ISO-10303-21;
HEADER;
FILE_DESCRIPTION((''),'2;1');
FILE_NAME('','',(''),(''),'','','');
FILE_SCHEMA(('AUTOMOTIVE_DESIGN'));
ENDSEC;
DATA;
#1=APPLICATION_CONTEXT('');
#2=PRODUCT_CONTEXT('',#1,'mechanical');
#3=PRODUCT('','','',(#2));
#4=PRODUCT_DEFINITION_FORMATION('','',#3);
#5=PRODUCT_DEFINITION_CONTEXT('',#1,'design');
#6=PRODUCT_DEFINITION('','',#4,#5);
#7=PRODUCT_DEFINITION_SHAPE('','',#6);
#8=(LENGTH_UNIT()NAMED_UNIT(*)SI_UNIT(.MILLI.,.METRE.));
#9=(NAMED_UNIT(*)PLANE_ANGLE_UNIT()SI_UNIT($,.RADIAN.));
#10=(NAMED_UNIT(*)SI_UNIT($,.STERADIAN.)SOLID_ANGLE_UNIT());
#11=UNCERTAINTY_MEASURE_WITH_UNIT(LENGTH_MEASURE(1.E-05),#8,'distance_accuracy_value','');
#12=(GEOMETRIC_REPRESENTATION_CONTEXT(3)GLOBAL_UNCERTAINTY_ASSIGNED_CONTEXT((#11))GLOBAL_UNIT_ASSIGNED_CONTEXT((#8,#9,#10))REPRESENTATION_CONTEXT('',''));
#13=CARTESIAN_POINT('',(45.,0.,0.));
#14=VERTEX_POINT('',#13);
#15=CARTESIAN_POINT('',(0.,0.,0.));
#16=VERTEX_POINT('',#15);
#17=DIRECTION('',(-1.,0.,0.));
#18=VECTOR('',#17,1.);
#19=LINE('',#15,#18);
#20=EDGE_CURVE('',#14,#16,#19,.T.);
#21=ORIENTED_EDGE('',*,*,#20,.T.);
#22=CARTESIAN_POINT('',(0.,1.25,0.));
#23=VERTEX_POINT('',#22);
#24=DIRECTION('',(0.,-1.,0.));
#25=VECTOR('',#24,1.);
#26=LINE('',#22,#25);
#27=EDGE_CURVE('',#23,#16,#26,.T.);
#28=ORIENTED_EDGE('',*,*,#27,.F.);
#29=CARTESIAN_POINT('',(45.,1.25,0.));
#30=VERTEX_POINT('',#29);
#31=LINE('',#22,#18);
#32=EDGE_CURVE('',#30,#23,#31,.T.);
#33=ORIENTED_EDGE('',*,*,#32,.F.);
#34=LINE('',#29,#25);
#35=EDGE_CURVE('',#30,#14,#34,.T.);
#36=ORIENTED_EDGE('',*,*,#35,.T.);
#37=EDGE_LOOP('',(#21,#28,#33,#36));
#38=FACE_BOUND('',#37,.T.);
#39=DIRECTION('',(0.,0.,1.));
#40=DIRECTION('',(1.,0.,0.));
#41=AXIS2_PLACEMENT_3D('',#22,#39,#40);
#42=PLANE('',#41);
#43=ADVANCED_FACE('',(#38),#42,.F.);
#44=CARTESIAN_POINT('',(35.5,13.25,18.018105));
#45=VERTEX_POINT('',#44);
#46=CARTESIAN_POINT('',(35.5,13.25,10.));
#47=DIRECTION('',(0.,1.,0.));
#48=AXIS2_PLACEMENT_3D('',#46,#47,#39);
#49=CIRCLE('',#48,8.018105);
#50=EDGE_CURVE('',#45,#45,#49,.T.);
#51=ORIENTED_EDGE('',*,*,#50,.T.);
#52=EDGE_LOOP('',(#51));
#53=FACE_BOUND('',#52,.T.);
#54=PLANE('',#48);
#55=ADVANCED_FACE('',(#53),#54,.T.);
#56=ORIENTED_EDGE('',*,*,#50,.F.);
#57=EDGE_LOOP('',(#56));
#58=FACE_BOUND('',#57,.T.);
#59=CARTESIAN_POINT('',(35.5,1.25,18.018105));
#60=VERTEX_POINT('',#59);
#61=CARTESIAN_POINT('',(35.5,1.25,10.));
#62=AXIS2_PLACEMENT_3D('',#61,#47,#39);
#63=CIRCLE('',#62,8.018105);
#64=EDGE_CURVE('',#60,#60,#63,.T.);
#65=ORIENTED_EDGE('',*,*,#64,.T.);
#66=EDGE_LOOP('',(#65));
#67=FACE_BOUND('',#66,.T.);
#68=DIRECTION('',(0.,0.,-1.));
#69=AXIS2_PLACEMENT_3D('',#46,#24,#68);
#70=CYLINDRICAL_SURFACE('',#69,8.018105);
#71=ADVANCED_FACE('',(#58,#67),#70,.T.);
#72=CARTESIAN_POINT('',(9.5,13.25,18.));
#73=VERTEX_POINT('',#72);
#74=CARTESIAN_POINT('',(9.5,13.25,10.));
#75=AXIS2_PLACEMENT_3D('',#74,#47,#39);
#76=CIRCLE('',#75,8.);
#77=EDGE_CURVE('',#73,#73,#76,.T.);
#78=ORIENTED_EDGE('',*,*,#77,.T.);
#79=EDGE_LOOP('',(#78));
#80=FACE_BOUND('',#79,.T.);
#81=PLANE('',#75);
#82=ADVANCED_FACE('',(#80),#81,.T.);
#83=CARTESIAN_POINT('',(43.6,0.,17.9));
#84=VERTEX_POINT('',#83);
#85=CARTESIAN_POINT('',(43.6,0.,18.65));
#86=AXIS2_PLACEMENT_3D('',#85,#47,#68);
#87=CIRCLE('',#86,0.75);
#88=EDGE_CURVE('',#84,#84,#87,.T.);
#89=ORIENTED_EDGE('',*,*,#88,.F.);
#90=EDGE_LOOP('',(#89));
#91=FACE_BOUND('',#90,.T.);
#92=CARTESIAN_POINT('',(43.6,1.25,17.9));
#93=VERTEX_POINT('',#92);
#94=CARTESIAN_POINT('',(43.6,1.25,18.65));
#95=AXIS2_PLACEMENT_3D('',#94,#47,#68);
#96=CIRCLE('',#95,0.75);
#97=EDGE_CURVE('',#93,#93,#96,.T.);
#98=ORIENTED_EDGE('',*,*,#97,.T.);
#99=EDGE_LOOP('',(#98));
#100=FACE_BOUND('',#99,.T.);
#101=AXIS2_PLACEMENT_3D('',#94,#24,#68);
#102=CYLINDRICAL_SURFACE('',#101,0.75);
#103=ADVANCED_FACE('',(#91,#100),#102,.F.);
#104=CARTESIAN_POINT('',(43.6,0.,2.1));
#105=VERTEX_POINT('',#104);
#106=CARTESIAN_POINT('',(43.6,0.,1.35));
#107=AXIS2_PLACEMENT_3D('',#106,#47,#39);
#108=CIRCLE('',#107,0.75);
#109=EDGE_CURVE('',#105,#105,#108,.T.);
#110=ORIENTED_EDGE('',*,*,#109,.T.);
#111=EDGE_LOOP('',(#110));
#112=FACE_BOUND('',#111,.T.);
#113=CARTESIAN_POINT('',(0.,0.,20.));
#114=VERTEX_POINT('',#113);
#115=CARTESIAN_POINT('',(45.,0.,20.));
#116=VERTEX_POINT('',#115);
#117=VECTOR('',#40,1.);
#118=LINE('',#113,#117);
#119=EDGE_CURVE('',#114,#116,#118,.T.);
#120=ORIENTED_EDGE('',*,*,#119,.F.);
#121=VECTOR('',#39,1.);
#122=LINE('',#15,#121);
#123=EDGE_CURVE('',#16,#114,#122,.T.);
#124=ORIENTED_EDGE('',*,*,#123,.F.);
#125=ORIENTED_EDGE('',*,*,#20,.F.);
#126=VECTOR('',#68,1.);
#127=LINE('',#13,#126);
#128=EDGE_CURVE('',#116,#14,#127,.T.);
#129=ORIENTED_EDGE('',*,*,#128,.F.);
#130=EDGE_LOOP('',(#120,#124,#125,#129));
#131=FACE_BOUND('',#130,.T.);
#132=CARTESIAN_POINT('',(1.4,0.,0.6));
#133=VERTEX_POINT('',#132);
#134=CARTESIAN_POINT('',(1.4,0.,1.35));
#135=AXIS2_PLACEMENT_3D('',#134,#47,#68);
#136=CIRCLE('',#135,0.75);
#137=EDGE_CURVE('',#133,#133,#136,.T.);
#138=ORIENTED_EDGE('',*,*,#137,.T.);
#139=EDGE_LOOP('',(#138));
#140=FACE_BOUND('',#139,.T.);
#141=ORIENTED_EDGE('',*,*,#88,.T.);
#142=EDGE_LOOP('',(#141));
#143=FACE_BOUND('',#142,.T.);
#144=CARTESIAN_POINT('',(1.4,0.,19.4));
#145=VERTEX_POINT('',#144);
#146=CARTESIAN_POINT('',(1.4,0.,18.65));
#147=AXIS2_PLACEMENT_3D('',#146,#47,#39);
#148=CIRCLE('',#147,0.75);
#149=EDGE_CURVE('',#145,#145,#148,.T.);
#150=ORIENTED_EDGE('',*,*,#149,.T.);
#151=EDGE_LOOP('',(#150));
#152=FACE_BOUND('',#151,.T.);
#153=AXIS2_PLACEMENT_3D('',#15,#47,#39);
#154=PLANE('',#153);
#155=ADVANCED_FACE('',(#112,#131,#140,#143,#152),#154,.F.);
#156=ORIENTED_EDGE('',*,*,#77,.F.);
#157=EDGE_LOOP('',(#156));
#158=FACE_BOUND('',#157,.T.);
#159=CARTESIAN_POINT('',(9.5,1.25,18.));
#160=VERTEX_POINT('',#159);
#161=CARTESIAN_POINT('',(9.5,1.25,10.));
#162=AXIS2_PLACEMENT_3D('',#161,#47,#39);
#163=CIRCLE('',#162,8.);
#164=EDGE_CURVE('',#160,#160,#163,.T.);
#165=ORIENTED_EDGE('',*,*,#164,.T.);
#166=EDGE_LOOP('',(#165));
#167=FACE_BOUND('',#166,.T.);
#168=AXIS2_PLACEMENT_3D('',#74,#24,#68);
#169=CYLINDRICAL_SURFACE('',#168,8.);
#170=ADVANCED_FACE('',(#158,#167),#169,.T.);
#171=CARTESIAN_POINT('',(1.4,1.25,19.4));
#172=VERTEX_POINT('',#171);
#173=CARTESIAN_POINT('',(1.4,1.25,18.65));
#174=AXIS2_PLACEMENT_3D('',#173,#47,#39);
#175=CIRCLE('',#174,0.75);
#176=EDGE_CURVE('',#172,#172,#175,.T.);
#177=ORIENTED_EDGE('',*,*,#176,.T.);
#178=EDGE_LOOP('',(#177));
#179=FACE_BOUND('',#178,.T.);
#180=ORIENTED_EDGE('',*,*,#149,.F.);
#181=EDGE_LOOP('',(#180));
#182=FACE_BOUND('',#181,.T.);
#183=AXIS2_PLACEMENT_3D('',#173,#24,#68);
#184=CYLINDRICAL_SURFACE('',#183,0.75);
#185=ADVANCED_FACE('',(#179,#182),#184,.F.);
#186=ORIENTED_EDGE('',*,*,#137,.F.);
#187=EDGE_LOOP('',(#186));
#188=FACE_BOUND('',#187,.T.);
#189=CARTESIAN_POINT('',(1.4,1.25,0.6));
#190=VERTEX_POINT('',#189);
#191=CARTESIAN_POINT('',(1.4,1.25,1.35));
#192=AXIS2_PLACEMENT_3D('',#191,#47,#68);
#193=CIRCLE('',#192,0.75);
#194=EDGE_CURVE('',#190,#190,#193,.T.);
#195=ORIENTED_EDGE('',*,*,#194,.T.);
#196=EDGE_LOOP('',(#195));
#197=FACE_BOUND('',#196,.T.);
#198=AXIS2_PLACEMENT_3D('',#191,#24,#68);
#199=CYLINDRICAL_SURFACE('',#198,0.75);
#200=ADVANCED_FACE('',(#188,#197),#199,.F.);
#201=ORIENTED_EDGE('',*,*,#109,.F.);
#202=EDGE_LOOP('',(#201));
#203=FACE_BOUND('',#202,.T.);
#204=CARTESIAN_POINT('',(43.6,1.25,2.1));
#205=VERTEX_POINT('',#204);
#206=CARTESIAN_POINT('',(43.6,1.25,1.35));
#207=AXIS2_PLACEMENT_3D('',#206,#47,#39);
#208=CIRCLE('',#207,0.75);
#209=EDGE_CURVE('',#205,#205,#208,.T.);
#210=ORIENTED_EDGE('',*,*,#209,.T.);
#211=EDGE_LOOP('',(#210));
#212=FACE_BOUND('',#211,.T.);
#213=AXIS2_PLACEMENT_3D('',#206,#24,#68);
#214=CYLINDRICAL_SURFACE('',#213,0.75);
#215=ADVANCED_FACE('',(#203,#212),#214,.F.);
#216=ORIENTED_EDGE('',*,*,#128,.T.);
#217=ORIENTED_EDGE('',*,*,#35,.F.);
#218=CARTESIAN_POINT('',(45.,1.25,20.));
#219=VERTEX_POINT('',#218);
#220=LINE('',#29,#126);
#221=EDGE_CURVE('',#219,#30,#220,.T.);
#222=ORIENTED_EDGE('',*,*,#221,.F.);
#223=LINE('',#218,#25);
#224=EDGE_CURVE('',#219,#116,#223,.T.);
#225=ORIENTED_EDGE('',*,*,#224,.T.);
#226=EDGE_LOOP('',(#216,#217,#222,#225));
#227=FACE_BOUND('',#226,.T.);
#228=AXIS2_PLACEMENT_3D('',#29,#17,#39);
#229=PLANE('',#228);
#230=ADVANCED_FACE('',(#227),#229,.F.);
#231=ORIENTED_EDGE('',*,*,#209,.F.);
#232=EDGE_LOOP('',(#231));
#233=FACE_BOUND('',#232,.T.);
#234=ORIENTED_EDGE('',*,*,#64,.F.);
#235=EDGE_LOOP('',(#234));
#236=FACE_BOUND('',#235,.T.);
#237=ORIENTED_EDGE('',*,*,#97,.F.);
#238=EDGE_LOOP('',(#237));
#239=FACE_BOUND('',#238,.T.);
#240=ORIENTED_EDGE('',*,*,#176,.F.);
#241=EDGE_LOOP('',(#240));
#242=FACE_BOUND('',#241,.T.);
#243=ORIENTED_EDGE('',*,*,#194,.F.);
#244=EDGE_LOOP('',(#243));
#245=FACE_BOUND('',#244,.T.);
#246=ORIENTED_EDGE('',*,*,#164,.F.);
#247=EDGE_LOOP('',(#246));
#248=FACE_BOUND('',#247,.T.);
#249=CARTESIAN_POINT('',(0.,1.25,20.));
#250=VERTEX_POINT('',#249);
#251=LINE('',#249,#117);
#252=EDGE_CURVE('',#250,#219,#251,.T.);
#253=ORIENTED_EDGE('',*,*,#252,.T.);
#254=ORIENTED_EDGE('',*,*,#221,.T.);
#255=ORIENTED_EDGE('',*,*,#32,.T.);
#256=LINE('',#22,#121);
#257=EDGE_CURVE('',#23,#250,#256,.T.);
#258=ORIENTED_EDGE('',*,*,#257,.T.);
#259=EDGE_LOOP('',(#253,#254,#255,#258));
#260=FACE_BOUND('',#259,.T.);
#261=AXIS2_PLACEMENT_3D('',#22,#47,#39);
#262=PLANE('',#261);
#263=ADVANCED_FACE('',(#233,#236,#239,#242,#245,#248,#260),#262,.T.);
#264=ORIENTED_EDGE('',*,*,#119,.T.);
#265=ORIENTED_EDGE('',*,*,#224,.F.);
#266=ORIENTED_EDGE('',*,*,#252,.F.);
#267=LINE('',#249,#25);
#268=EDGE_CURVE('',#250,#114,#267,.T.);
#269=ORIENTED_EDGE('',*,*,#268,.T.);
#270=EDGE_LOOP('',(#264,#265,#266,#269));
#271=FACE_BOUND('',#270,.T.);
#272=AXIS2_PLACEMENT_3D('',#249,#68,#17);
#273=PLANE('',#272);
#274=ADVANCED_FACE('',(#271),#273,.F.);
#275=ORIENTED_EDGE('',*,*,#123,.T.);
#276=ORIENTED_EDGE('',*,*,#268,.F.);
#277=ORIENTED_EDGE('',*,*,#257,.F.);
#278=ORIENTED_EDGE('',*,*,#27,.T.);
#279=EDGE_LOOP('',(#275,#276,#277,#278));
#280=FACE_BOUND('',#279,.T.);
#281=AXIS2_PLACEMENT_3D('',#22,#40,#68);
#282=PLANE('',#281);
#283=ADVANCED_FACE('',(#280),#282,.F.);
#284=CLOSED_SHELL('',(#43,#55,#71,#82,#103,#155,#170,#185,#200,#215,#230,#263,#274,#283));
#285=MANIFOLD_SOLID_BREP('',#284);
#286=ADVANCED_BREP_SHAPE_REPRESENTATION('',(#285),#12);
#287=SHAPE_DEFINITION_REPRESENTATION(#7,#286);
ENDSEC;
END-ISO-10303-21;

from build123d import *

# Parameters (mm, degrees)
SKETCH1_W           = 45
SKETCH1_H           = 20
SKETCH1_R           = 0.75
BOSS_EXTRUDE1_DEPTH = 1.25
SKETCH3_R           = 8
BOSS_EXTRUDE2_DEPTH = 12
SKETCH4_R           = 8.018104591
BOSS_EXTRUDE3_DEPTH = 12


with BuildPart() as part:
    # Sketch1 → Boss-Extrude1 (new body)
    with BuildSketch(Plane(origin=(0, 0, 0), x_dir=(1, 0, 0), z_dir=(0, 1, 0))):
        with Locations((22.5, -10)):
            Rectangle(SKETCH1_W, SKETCH1_H)
        with Locations(Location((1.4, -18.65, 0), (0, 0, 270))):
            Circle(SKETCH1_R, mode=Mode.SUBTRACT)
        with Locations(Location((1.4, -1.35, 0), (0, 0, 90))):
            Circle(SKETCH1_R, mode=Mode.SUBTRACT)
        with Locations(Location((43.6, -18.65, 0), (0, 0, 90))):
            Circle(SKETCH1_R, mode=Mode.SUBTRACT)
        with Locations(Location((43.6, -1.35, 0), (0, 0, 270))):
            Circle(SKETCH1_R, mode=Mode.SUBTRACT)
    extrude(amount=BOSS_EXTRUDE1_DEPTH)

    # Sketch3 → Boss-Extrude2 (add)
    with BuildSketch(Plane(origin=(0, 1.25, 0), x_dir=(1, 0, 0), z_dir=(0, 1, 0))):
        with Locations(Location((9.5, -10, 0), (0, 0, 270))):
            Circle(SKETCH3_R)
    extrude(amount=BOSS_EXTRUDE2_DEPTH)

    # Sketch4 → Boss-Extrude3 (add)
    with BuildSketch(Plane(origin=(0, 1.25, 0), x_dir=(1, 0, 0), z_dir=(0, 1, 0))):
        with Locations(Location((35.5, -10, 0), (0, 0, 270))):
            Circle(SKETCH4_R)
    extrude(amount=BOSS_EXTRUDE3_DEPTH)


solid = part.part
